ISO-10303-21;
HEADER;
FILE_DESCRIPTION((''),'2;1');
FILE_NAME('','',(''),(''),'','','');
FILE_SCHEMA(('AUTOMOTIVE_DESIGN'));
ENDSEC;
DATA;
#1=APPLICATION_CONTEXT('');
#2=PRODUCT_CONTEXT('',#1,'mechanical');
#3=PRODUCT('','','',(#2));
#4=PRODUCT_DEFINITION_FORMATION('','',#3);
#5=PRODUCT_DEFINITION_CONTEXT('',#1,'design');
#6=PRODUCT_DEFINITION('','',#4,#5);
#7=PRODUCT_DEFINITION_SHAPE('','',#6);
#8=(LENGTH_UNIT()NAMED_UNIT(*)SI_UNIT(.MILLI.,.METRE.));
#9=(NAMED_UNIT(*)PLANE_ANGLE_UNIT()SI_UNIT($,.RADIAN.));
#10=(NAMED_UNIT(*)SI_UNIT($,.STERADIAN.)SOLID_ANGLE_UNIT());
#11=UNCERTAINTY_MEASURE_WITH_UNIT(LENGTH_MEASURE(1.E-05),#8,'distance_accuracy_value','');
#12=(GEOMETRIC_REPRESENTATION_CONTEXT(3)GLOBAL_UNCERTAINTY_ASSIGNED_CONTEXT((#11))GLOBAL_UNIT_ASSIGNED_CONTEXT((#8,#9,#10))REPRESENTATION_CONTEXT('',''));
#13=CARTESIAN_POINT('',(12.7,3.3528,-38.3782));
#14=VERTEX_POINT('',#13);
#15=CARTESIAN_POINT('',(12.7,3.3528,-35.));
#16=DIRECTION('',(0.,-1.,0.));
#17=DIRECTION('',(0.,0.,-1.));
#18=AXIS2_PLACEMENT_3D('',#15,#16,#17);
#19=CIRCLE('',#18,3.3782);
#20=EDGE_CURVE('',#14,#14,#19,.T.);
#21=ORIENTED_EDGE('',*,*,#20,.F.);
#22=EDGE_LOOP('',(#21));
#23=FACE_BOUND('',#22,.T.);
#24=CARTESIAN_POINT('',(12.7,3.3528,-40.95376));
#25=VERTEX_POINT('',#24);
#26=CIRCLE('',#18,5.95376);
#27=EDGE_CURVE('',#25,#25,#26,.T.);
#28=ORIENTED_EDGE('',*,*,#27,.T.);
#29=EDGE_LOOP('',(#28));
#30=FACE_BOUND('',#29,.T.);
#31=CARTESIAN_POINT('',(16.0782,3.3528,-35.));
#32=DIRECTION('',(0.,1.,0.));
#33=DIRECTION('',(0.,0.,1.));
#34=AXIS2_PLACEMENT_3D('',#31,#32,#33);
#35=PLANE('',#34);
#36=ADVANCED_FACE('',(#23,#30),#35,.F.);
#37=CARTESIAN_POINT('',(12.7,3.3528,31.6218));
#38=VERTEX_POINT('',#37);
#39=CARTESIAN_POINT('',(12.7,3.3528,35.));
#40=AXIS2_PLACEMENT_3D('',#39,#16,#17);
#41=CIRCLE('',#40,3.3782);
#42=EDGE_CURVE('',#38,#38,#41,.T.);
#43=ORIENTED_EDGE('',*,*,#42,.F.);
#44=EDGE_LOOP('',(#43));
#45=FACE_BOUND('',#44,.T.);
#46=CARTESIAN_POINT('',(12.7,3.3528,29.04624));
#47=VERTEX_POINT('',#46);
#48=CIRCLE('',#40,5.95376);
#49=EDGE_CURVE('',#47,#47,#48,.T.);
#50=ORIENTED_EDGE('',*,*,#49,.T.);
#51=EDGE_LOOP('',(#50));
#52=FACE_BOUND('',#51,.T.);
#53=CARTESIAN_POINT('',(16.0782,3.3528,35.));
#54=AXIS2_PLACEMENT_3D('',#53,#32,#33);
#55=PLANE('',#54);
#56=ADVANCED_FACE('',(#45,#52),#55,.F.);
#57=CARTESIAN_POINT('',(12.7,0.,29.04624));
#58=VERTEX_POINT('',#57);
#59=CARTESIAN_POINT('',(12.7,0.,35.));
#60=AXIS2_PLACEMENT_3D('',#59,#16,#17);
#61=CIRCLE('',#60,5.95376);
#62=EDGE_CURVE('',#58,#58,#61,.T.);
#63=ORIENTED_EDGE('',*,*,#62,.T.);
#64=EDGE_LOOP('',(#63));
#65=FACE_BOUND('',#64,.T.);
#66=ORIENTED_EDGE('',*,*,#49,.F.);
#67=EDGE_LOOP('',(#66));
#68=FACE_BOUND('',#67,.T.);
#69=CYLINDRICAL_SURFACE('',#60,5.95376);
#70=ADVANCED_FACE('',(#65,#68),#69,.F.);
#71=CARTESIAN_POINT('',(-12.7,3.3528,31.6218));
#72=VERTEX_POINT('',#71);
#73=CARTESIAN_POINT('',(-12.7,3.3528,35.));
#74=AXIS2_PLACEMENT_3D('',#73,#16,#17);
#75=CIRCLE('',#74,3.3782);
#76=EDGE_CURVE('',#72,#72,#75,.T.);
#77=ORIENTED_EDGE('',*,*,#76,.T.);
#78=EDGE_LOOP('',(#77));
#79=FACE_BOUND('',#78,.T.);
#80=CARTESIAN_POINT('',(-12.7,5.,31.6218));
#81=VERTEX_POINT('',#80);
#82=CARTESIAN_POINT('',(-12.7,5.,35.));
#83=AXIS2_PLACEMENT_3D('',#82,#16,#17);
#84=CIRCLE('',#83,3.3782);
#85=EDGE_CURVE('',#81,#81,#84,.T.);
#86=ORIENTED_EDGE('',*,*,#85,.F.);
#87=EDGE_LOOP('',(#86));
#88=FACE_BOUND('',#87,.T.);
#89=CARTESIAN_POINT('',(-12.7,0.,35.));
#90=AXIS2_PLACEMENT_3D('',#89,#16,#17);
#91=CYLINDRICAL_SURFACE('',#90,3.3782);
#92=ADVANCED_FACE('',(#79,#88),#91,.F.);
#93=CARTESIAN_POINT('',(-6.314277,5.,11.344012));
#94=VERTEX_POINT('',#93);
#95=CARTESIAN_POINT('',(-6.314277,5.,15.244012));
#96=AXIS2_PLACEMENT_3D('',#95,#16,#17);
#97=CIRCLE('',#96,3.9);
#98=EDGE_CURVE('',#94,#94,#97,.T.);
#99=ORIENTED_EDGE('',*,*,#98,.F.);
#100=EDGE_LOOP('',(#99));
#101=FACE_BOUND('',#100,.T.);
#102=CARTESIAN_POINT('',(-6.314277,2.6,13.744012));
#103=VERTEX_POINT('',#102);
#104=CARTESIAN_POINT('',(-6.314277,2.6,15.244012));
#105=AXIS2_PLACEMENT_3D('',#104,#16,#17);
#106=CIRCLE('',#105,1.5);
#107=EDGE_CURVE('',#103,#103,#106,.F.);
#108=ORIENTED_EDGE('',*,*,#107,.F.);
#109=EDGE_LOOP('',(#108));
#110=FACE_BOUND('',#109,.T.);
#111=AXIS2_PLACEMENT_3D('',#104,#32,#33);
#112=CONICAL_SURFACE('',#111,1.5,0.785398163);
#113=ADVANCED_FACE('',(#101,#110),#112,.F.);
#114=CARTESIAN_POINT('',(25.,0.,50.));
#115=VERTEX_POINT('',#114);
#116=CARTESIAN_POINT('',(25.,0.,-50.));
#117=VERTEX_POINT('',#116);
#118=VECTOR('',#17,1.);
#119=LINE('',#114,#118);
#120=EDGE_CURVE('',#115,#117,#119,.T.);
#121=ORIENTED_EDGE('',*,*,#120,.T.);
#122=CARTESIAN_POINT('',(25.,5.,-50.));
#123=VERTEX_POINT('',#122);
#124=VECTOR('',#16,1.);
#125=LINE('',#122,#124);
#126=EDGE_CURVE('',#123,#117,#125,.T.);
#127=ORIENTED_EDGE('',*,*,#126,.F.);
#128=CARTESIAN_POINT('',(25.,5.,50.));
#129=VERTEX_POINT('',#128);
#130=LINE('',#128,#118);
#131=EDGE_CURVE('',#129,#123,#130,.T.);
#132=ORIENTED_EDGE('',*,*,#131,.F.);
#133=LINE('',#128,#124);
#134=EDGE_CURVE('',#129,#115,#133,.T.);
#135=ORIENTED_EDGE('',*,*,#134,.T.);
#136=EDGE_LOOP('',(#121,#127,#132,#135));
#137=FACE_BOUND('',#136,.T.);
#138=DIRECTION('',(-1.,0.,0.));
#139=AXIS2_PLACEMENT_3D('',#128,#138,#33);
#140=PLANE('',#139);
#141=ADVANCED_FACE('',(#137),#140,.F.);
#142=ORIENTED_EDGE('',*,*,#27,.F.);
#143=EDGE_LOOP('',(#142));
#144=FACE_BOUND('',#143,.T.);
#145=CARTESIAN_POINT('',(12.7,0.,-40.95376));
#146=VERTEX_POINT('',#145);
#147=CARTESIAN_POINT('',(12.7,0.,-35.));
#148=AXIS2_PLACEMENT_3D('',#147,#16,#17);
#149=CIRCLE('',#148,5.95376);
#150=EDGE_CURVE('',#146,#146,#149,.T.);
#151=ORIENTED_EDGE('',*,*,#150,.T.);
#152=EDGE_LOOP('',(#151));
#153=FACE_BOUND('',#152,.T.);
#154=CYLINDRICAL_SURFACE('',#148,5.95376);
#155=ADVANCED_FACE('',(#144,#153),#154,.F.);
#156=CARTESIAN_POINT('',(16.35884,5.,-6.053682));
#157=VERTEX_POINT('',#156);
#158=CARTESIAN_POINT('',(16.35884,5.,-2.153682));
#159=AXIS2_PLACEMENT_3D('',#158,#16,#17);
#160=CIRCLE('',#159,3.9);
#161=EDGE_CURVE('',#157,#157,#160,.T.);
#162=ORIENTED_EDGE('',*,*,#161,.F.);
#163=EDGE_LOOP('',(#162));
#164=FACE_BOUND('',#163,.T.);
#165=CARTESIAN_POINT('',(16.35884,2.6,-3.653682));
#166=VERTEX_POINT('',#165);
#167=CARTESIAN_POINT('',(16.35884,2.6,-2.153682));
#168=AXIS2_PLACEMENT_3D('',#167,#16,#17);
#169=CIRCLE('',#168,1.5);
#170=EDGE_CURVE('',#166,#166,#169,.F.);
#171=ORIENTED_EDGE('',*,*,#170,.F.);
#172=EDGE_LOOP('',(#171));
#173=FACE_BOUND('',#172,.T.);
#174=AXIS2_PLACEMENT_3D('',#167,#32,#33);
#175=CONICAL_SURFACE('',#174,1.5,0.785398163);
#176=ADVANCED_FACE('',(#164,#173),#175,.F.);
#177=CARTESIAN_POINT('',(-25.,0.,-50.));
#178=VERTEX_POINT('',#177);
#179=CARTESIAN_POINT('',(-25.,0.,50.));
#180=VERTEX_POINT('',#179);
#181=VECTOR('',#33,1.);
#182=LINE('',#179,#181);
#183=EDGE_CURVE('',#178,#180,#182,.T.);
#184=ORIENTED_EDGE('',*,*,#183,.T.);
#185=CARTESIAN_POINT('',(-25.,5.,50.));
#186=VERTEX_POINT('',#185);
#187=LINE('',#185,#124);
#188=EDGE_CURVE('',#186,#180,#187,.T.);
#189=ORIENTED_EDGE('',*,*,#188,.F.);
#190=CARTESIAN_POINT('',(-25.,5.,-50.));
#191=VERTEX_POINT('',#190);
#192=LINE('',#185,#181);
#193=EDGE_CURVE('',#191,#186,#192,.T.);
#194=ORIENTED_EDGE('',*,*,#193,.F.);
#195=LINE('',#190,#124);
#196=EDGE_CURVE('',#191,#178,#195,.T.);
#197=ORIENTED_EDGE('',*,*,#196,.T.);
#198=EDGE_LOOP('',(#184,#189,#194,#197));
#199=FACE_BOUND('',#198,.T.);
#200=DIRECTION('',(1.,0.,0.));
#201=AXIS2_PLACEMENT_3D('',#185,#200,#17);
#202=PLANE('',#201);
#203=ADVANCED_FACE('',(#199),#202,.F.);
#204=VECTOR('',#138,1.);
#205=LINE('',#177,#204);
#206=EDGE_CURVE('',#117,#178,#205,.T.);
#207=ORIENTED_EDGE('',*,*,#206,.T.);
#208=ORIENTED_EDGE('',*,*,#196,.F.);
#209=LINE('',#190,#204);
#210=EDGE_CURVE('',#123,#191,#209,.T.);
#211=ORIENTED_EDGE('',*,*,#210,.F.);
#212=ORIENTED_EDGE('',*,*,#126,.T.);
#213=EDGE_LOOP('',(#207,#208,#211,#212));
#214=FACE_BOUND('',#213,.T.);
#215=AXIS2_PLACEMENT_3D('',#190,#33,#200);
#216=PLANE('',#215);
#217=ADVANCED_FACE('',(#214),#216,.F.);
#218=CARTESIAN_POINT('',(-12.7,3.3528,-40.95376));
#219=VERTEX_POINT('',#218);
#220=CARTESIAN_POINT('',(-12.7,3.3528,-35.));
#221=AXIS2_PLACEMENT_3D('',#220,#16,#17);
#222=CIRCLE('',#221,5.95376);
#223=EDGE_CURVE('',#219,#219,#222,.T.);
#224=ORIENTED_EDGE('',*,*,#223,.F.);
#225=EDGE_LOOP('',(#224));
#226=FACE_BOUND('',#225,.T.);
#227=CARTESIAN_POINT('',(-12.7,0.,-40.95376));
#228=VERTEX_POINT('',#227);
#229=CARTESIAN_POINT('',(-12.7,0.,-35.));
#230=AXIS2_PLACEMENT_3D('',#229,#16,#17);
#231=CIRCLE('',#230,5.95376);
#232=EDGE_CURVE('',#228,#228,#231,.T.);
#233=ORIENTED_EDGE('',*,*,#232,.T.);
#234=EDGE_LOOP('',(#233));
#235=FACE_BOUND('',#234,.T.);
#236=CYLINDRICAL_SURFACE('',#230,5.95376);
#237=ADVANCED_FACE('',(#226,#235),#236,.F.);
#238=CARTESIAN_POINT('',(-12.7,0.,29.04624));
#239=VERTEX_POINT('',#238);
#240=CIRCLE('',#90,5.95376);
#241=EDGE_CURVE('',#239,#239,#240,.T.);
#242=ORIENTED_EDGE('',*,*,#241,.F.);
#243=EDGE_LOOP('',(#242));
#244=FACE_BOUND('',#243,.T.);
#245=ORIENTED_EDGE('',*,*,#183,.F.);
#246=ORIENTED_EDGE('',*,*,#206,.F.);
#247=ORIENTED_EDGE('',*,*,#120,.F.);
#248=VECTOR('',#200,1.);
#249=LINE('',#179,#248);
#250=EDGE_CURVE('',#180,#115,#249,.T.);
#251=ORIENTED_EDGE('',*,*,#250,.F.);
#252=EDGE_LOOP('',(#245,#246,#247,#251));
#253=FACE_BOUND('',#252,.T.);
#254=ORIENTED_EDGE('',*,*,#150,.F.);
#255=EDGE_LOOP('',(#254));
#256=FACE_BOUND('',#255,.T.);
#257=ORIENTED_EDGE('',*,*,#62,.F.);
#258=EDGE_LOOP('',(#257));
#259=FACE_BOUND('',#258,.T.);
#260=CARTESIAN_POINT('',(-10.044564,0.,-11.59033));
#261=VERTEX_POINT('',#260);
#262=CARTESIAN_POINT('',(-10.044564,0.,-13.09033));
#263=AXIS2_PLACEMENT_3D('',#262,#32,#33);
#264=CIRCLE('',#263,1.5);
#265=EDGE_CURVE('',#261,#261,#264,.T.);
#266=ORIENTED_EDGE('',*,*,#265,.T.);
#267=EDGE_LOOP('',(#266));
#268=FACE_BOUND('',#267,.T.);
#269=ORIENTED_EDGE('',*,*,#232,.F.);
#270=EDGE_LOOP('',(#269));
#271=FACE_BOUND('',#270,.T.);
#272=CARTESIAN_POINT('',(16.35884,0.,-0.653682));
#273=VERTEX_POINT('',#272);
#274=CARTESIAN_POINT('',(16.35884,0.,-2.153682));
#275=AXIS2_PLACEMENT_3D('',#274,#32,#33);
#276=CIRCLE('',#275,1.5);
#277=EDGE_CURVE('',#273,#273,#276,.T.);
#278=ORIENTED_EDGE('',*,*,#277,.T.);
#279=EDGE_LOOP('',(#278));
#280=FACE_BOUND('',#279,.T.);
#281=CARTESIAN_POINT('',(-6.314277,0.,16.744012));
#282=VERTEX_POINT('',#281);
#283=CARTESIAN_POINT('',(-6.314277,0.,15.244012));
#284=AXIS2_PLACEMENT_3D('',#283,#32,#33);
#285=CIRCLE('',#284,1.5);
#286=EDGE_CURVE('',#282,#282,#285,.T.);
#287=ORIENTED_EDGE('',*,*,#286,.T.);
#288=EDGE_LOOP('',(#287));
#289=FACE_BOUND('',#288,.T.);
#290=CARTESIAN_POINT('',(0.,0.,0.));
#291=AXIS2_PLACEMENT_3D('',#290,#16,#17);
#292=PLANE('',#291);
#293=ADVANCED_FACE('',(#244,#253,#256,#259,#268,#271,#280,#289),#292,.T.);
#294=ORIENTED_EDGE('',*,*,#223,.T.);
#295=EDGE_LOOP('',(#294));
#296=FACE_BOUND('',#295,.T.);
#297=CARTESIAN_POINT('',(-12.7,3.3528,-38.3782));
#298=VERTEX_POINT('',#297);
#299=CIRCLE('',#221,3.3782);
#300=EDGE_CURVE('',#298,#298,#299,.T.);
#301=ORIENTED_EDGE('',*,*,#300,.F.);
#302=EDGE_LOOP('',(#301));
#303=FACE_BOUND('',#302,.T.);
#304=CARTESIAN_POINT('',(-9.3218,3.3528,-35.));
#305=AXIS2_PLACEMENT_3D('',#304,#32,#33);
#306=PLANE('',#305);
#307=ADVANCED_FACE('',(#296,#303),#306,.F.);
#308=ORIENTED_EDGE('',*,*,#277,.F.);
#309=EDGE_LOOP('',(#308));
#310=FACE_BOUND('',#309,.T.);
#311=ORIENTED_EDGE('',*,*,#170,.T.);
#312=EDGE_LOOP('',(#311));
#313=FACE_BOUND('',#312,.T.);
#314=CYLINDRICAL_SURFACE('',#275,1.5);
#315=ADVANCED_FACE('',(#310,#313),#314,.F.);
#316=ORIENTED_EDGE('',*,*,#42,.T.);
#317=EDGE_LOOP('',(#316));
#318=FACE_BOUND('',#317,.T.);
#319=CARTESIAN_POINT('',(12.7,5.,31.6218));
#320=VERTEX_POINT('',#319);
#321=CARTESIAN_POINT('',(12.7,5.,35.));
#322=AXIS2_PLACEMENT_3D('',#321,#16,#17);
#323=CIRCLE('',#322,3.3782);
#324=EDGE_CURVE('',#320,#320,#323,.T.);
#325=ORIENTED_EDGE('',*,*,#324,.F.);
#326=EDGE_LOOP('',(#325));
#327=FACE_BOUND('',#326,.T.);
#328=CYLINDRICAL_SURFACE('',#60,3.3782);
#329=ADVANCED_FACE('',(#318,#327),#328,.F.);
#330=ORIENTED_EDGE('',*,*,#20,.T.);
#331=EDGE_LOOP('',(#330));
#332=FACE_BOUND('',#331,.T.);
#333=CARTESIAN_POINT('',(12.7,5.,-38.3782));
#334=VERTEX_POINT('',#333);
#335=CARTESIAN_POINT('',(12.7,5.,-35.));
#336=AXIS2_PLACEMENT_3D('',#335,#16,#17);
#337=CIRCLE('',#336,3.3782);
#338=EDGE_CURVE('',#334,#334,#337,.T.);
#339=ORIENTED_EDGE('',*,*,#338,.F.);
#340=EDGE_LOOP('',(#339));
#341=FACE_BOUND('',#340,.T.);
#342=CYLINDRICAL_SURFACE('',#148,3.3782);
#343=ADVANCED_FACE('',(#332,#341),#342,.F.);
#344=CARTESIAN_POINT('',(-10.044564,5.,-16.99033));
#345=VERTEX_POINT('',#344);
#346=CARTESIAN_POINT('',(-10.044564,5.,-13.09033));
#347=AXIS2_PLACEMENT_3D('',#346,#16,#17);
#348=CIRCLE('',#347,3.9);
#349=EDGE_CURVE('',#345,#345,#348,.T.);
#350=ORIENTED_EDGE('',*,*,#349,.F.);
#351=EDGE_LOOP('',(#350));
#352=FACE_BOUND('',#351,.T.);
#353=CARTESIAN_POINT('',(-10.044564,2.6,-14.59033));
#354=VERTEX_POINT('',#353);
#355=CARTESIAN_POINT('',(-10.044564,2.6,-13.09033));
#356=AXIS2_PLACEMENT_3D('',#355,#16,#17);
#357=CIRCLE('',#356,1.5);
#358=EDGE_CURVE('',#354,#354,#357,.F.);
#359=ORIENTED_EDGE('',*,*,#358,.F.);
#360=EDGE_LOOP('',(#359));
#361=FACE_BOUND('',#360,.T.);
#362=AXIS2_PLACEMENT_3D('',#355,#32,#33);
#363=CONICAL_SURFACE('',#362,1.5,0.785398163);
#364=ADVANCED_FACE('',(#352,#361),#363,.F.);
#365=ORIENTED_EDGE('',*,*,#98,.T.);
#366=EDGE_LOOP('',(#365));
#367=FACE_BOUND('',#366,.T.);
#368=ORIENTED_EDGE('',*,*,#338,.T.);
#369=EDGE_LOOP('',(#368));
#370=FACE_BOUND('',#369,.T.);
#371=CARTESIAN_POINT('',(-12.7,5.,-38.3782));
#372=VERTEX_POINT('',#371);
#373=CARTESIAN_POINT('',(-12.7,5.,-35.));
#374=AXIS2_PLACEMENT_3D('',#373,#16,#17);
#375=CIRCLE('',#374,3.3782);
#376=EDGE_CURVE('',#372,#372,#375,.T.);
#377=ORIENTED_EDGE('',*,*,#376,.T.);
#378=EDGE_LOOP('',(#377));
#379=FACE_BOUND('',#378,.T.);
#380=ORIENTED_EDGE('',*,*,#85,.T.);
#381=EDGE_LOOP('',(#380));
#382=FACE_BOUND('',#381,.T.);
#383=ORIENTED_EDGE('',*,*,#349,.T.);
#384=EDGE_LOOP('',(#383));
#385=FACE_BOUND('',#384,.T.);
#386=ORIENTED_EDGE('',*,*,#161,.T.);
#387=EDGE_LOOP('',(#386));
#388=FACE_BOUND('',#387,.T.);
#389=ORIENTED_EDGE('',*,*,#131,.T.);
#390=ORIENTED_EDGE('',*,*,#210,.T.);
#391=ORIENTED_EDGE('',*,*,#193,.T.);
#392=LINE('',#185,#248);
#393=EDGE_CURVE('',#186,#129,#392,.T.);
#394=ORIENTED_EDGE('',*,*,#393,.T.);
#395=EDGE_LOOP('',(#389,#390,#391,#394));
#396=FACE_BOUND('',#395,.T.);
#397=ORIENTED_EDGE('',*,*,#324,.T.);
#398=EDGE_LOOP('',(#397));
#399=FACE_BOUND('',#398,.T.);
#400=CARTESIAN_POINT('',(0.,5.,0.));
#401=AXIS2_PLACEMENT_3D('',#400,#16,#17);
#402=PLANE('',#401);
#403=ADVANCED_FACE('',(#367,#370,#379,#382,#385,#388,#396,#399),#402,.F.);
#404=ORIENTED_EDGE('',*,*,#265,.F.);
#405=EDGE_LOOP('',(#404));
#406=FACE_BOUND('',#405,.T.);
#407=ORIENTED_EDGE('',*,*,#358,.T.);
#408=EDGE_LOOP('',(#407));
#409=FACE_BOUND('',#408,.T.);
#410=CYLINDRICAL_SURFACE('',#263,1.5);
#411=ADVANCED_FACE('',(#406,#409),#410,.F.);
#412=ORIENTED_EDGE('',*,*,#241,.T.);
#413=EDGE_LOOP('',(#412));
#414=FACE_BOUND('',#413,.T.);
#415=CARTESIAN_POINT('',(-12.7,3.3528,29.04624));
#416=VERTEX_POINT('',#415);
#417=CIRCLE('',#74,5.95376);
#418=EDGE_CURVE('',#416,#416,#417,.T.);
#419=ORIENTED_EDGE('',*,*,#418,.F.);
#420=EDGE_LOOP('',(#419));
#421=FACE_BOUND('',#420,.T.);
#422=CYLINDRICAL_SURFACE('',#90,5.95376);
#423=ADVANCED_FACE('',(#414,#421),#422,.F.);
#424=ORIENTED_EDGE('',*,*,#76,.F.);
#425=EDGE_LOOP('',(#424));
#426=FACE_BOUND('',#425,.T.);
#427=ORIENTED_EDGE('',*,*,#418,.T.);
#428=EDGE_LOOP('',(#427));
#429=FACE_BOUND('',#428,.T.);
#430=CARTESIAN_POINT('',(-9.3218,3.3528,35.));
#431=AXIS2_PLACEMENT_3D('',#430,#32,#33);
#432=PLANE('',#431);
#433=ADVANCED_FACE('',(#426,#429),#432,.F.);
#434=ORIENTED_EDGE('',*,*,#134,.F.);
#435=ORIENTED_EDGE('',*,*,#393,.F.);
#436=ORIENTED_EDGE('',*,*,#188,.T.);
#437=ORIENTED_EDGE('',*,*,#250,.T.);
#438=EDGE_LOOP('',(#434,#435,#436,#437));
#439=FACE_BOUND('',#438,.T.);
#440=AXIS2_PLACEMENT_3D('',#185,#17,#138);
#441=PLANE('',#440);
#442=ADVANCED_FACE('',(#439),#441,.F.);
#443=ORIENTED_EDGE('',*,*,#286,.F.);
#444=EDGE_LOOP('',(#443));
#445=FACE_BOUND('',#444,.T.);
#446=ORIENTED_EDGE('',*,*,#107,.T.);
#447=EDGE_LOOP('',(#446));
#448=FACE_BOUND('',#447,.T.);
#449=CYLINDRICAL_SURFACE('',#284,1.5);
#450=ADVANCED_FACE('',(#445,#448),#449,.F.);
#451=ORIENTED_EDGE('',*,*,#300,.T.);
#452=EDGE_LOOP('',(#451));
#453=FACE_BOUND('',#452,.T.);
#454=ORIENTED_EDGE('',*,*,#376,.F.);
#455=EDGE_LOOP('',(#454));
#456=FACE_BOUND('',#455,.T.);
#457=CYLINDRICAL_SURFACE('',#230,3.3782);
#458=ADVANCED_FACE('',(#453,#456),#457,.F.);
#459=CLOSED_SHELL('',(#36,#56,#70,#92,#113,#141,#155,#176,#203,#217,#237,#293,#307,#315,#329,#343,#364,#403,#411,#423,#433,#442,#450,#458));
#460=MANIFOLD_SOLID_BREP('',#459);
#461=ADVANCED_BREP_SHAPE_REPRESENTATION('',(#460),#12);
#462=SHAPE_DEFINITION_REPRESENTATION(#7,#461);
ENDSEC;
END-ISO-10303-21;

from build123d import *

# Parameters (mm, degrees)
SKETCH1_W                                        = 50
SKETCH1_H                                        = 100
BOSS_EXTRUDE1_DEPTH                              = 5
SKETCH3_R                                        = 1.5
CUT_EXTRUDE2_DEPTH                               = 5
CHAMFER1_SIZE                                    = 2.4
CBORE_FOR_1_4_BUTTON_HEAD_CAP_SCREW2_D           = 6.7564
CBORE_FOR_1_4_BUTTON_HEAD_CAP_SCREW2_CBORE_D     = 11.90752
CBORE_FOR_1_4_BUTTON_HEAD_CAP_SCREW2_CBORE_DEPTH = 3.3528


with BuildPart() as part:
    # Sketch1 → Boss-Extrude1 (new body)
    with BuildSketch(Plane(origin=(0, 0, 0), x_dir=(1, 0, 0), z_dir=(0, 1, 0))):
        Rectangle(SKETCH1_W, SKETCH1_H)
    extrude(amount=BOSS_EXTRUDE1_DEPTH)

    # Sketch3 → Cut-Extrude2 (cut)
    with BuildSketch(Plane(origin=(0, 5, 0), x_dir=(1, 0, 0), z_dir=(0, 1, 0))):
        with Locations((-6.314276634, -15.244012286)):
            Circle(SKETCH3_R)
        with Locations((16.358840213, 2.153682172)):
            Circle(SKETCH3_R)
        with Locations((-10.044563579, 13.090330115)):
            Circle(SKETCH3_R)
    extrude(amount=-CUT_EXTRUDE2_DEPTH, mode=Mode.SUBTRACT)

    # Chamfer1
    chamfer1_edges = [part.edges().sort_by_distance(p)[0] for p in [
        (-7.814276634, 5, 15.244012286),
        (14.858840213, 5, -2.153682172),
        (-11.544563579, 5, -13.090330115),
    ]]
    chamfer(chamfer1_edges, length=CHAMFER1_SIZE)

    # CBORE for 1/4 Button Head Cap Screw2 (through all)
    with Locations(Plane(origin=(0, 0, 0), x_dir=(-1, 0, 0), z_dir=(0, -1, 0))):
        with Locations((12.7, -35), (-12.7, -35), (-12.7, 35), (12.7, 35)):
            CounterBoreHole(CBORE_FOR_1_4_BUTTON_HEAD_CAP_SCREW2_D / 2, CBORE_FOR_1_4_BUTTON_HEAD_CAP_SCREW2_CBORE_D / 2, CBORE_FOR_1_4_BUTTON_HEAD_CAP_SCREW2_CBORE_DEPTH)


solid = part.part
